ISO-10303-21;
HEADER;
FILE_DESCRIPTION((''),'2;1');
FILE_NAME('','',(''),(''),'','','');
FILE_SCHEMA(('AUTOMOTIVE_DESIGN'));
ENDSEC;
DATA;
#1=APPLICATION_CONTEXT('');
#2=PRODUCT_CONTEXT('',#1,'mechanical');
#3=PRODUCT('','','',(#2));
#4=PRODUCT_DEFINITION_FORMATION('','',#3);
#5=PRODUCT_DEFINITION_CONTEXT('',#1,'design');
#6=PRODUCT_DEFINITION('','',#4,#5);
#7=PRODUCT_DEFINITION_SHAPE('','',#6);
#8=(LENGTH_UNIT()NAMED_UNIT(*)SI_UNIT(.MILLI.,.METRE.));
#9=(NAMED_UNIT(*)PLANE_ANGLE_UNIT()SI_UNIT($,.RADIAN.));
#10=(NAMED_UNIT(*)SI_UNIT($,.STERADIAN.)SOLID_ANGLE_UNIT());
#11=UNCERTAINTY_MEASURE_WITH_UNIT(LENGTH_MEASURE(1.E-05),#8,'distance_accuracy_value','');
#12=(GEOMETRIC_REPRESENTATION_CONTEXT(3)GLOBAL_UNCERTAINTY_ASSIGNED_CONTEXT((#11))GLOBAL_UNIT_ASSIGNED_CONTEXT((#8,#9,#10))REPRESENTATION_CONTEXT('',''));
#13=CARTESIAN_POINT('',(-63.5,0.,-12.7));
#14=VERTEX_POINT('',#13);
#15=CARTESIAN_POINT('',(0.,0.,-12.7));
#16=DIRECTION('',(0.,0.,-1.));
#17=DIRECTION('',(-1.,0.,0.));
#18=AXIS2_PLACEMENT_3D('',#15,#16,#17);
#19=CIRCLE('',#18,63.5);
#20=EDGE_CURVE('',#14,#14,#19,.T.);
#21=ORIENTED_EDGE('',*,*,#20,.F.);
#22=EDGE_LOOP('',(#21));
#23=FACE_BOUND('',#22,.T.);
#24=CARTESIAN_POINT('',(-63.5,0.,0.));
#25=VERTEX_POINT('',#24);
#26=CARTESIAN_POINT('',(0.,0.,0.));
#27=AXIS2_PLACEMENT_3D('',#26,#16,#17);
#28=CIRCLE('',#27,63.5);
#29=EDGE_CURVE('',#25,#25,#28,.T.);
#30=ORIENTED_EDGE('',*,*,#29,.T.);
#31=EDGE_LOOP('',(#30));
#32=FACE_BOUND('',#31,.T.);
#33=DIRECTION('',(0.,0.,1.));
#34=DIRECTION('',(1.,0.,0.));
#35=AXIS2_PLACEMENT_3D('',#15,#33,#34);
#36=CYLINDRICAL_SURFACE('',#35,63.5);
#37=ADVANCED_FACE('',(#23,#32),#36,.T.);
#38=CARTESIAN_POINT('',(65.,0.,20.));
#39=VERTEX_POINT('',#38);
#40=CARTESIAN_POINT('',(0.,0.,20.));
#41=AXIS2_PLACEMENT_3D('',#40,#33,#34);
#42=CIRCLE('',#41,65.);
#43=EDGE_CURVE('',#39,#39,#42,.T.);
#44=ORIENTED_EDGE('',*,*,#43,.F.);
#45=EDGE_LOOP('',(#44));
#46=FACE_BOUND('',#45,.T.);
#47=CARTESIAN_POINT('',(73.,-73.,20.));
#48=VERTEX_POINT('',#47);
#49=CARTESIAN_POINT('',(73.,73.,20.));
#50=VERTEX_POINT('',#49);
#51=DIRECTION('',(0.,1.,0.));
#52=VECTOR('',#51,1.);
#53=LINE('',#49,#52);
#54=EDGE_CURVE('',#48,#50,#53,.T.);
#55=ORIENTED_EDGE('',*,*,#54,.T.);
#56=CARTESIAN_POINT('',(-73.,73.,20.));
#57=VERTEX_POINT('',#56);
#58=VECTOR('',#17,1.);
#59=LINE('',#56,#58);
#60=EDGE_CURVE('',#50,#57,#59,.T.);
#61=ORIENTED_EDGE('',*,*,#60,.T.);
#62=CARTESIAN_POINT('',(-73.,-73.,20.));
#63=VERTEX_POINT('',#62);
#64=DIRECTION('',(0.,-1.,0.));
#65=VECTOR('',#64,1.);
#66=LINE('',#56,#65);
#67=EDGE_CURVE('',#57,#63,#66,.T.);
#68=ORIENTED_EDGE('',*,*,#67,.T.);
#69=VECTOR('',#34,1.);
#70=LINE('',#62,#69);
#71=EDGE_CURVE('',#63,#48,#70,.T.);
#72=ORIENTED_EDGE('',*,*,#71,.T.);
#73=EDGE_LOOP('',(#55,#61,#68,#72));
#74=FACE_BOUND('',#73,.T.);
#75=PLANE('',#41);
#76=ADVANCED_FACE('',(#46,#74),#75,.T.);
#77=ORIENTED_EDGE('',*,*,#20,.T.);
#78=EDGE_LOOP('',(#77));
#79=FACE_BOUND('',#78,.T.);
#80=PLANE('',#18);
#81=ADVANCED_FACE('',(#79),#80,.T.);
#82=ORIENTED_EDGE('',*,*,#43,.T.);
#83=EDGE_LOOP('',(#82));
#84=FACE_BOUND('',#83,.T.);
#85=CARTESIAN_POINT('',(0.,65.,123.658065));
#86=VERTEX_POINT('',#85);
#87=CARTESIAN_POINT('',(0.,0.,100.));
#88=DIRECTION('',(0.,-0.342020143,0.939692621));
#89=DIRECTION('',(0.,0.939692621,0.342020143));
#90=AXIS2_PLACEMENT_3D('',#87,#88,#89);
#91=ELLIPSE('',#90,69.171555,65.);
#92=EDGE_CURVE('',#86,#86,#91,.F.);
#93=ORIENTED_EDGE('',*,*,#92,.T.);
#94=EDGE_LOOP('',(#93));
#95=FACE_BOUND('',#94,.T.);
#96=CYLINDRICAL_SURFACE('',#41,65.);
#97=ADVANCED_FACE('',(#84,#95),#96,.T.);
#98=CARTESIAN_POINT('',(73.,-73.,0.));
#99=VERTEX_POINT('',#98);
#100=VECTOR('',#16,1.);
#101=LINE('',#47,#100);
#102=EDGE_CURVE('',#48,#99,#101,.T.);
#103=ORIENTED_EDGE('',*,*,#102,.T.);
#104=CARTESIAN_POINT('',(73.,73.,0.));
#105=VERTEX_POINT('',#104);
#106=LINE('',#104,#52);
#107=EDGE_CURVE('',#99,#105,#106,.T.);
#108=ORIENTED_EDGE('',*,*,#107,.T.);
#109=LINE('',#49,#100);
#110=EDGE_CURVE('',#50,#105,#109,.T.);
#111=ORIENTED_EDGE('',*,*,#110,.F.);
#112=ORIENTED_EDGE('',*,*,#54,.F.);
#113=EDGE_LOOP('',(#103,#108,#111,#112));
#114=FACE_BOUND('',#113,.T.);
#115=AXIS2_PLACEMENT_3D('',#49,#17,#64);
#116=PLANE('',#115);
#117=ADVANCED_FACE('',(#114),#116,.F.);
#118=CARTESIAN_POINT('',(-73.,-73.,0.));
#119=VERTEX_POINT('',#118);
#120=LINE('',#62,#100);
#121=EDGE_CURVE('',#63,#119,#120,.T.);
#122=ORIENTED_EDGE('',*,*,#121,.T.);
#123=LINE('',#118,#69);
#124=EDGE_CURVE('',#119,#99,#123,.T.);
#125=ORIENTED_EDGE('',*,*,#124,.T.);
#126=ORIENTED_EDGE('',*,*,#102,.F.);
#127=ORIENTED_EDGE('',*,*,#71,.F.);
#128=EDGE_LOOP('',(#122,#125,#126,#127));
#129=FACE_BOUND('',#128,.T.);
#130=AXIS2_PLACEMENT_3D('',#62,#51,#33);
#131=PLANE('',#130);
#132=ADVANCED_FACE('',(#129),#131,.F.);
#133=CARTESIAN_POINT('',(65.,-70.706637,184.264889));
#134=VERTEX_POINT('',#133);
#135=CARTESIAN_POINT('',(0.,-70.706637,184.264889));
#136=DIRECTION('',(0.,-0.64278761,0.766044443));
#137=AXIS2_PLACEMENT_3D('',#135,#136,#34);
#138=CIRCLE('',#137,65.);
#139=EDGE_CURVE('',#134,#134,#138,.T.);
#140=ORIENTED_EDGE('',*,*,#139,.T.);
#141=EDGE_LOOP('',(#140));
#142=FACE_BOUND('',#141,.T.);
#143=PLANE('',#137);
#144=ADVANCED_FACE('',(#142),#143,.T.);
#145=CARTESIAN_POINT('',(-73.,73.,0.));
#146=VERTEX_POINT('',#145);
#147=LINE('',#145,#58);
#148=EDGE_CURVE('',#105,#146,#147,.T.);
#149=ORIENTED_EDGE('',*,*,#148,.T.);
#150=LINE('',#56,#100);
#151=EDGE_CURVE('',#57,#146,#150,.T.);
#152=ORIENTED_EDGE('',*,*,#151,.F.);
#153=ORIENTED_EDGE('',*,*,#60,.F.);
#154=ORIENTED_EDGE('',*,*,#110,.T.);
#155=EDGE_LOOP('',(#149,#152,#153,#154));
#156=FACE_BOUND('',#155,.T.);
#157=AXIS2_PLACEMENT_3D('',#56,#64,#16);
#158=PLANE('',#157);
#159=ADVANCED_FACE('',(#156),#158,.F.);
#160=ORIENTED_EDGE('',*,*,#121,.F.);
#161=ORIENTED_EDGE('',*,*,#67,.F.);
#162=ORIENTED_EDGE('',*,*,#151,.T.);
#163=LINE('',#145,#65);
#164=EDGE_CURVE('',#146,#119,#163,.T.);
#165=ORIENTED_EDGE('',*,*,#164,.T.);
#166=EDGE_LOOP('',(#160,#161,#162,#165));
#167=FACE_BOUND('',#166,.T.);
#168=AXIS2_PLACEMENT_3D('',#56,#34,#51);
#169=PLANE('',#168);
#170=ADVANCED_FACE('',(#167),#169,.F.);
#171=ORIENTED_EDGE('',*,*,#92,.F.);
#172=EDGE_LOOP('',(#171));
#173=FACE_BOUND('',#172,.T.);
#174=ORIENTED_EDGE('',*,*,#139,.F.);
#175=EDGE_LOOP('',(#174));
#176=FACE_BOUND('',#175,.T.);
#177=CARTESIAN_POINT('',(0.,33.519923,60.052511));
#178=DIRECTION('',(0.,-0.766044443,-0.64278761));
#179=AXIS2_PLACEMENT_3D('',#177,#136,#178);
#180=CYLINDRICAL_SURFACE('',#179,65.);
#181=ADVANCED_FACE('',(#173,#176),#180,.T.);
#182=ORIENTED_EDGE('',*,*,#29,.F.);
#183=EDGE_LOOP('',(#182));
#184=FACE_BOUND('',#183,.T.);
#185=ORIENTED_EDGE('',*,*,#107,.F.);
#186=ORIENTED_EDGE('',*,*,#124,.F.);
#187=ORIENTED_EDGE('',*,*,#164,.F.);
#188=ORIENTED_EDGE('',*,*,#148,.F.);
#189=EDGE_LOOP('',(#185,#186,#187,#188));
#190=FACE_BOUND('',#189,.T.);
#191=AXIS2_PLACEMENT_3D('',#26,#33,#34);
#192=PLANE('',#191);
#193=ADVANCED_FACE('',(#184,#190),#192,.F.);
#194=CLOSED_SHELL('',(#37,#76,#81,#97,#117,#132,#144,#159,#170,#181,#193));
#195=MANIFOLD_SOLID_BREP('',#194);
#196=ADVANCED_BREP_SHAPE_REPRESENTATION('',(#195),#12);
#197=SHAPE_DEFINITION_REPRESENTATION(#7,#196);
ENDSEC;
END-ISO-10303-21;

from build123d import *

# Parameters (mm, degrees)
SKETCH1_W           = 146
SKETCH1_H           = 146
BOSS_EXTRUDE1_DEPTH = 20
SKETCH2_R           = 63.5
BOSS_EXTRUDE2_DEPTH = 12.7
SKETCH3_R           = 65


with BuildPart() as part:
    # Sketch1 → Boss-Extrude1 (new body)
    with BuildSketch(Plane.XY):
        Rectangle(SKETCH1_W, SKETCH1_H)
    extrude(amount=BOSS_EXTRUDE1_DEPTH)

    # Sketch2 → Boss-Extrude2 (add)
    with BuildSketch(Plane(origin=(0, 0, 0), x_dir=(-1, 0, 0), z_dir=(0, 0, -1))):
        Circle(SKETCH2_R)
    extrude(amount=BOSS_EXTRUDE2_DEPTH)

    # Sweep1: sweep along a path in Sketch4
    with BuildLine(Plane(origin=(0, 0, 0), x_dir=(0, 0, -1), z_dir=(1, 0, 0))) as sweep1_path:
        Line((-20, 0), (-100, 0))
        Line((-100, 0), (-184.264888743, -70.706637066))
    # Sketch3 → Sweep1 (sweep)
    with BuildSketch(Plane.XY.offset(20)):
        Circle(SKETCH3_R)
    sweep(path=sweep1_path.line, transition=Transition.RIGHT)


solid = part.part
